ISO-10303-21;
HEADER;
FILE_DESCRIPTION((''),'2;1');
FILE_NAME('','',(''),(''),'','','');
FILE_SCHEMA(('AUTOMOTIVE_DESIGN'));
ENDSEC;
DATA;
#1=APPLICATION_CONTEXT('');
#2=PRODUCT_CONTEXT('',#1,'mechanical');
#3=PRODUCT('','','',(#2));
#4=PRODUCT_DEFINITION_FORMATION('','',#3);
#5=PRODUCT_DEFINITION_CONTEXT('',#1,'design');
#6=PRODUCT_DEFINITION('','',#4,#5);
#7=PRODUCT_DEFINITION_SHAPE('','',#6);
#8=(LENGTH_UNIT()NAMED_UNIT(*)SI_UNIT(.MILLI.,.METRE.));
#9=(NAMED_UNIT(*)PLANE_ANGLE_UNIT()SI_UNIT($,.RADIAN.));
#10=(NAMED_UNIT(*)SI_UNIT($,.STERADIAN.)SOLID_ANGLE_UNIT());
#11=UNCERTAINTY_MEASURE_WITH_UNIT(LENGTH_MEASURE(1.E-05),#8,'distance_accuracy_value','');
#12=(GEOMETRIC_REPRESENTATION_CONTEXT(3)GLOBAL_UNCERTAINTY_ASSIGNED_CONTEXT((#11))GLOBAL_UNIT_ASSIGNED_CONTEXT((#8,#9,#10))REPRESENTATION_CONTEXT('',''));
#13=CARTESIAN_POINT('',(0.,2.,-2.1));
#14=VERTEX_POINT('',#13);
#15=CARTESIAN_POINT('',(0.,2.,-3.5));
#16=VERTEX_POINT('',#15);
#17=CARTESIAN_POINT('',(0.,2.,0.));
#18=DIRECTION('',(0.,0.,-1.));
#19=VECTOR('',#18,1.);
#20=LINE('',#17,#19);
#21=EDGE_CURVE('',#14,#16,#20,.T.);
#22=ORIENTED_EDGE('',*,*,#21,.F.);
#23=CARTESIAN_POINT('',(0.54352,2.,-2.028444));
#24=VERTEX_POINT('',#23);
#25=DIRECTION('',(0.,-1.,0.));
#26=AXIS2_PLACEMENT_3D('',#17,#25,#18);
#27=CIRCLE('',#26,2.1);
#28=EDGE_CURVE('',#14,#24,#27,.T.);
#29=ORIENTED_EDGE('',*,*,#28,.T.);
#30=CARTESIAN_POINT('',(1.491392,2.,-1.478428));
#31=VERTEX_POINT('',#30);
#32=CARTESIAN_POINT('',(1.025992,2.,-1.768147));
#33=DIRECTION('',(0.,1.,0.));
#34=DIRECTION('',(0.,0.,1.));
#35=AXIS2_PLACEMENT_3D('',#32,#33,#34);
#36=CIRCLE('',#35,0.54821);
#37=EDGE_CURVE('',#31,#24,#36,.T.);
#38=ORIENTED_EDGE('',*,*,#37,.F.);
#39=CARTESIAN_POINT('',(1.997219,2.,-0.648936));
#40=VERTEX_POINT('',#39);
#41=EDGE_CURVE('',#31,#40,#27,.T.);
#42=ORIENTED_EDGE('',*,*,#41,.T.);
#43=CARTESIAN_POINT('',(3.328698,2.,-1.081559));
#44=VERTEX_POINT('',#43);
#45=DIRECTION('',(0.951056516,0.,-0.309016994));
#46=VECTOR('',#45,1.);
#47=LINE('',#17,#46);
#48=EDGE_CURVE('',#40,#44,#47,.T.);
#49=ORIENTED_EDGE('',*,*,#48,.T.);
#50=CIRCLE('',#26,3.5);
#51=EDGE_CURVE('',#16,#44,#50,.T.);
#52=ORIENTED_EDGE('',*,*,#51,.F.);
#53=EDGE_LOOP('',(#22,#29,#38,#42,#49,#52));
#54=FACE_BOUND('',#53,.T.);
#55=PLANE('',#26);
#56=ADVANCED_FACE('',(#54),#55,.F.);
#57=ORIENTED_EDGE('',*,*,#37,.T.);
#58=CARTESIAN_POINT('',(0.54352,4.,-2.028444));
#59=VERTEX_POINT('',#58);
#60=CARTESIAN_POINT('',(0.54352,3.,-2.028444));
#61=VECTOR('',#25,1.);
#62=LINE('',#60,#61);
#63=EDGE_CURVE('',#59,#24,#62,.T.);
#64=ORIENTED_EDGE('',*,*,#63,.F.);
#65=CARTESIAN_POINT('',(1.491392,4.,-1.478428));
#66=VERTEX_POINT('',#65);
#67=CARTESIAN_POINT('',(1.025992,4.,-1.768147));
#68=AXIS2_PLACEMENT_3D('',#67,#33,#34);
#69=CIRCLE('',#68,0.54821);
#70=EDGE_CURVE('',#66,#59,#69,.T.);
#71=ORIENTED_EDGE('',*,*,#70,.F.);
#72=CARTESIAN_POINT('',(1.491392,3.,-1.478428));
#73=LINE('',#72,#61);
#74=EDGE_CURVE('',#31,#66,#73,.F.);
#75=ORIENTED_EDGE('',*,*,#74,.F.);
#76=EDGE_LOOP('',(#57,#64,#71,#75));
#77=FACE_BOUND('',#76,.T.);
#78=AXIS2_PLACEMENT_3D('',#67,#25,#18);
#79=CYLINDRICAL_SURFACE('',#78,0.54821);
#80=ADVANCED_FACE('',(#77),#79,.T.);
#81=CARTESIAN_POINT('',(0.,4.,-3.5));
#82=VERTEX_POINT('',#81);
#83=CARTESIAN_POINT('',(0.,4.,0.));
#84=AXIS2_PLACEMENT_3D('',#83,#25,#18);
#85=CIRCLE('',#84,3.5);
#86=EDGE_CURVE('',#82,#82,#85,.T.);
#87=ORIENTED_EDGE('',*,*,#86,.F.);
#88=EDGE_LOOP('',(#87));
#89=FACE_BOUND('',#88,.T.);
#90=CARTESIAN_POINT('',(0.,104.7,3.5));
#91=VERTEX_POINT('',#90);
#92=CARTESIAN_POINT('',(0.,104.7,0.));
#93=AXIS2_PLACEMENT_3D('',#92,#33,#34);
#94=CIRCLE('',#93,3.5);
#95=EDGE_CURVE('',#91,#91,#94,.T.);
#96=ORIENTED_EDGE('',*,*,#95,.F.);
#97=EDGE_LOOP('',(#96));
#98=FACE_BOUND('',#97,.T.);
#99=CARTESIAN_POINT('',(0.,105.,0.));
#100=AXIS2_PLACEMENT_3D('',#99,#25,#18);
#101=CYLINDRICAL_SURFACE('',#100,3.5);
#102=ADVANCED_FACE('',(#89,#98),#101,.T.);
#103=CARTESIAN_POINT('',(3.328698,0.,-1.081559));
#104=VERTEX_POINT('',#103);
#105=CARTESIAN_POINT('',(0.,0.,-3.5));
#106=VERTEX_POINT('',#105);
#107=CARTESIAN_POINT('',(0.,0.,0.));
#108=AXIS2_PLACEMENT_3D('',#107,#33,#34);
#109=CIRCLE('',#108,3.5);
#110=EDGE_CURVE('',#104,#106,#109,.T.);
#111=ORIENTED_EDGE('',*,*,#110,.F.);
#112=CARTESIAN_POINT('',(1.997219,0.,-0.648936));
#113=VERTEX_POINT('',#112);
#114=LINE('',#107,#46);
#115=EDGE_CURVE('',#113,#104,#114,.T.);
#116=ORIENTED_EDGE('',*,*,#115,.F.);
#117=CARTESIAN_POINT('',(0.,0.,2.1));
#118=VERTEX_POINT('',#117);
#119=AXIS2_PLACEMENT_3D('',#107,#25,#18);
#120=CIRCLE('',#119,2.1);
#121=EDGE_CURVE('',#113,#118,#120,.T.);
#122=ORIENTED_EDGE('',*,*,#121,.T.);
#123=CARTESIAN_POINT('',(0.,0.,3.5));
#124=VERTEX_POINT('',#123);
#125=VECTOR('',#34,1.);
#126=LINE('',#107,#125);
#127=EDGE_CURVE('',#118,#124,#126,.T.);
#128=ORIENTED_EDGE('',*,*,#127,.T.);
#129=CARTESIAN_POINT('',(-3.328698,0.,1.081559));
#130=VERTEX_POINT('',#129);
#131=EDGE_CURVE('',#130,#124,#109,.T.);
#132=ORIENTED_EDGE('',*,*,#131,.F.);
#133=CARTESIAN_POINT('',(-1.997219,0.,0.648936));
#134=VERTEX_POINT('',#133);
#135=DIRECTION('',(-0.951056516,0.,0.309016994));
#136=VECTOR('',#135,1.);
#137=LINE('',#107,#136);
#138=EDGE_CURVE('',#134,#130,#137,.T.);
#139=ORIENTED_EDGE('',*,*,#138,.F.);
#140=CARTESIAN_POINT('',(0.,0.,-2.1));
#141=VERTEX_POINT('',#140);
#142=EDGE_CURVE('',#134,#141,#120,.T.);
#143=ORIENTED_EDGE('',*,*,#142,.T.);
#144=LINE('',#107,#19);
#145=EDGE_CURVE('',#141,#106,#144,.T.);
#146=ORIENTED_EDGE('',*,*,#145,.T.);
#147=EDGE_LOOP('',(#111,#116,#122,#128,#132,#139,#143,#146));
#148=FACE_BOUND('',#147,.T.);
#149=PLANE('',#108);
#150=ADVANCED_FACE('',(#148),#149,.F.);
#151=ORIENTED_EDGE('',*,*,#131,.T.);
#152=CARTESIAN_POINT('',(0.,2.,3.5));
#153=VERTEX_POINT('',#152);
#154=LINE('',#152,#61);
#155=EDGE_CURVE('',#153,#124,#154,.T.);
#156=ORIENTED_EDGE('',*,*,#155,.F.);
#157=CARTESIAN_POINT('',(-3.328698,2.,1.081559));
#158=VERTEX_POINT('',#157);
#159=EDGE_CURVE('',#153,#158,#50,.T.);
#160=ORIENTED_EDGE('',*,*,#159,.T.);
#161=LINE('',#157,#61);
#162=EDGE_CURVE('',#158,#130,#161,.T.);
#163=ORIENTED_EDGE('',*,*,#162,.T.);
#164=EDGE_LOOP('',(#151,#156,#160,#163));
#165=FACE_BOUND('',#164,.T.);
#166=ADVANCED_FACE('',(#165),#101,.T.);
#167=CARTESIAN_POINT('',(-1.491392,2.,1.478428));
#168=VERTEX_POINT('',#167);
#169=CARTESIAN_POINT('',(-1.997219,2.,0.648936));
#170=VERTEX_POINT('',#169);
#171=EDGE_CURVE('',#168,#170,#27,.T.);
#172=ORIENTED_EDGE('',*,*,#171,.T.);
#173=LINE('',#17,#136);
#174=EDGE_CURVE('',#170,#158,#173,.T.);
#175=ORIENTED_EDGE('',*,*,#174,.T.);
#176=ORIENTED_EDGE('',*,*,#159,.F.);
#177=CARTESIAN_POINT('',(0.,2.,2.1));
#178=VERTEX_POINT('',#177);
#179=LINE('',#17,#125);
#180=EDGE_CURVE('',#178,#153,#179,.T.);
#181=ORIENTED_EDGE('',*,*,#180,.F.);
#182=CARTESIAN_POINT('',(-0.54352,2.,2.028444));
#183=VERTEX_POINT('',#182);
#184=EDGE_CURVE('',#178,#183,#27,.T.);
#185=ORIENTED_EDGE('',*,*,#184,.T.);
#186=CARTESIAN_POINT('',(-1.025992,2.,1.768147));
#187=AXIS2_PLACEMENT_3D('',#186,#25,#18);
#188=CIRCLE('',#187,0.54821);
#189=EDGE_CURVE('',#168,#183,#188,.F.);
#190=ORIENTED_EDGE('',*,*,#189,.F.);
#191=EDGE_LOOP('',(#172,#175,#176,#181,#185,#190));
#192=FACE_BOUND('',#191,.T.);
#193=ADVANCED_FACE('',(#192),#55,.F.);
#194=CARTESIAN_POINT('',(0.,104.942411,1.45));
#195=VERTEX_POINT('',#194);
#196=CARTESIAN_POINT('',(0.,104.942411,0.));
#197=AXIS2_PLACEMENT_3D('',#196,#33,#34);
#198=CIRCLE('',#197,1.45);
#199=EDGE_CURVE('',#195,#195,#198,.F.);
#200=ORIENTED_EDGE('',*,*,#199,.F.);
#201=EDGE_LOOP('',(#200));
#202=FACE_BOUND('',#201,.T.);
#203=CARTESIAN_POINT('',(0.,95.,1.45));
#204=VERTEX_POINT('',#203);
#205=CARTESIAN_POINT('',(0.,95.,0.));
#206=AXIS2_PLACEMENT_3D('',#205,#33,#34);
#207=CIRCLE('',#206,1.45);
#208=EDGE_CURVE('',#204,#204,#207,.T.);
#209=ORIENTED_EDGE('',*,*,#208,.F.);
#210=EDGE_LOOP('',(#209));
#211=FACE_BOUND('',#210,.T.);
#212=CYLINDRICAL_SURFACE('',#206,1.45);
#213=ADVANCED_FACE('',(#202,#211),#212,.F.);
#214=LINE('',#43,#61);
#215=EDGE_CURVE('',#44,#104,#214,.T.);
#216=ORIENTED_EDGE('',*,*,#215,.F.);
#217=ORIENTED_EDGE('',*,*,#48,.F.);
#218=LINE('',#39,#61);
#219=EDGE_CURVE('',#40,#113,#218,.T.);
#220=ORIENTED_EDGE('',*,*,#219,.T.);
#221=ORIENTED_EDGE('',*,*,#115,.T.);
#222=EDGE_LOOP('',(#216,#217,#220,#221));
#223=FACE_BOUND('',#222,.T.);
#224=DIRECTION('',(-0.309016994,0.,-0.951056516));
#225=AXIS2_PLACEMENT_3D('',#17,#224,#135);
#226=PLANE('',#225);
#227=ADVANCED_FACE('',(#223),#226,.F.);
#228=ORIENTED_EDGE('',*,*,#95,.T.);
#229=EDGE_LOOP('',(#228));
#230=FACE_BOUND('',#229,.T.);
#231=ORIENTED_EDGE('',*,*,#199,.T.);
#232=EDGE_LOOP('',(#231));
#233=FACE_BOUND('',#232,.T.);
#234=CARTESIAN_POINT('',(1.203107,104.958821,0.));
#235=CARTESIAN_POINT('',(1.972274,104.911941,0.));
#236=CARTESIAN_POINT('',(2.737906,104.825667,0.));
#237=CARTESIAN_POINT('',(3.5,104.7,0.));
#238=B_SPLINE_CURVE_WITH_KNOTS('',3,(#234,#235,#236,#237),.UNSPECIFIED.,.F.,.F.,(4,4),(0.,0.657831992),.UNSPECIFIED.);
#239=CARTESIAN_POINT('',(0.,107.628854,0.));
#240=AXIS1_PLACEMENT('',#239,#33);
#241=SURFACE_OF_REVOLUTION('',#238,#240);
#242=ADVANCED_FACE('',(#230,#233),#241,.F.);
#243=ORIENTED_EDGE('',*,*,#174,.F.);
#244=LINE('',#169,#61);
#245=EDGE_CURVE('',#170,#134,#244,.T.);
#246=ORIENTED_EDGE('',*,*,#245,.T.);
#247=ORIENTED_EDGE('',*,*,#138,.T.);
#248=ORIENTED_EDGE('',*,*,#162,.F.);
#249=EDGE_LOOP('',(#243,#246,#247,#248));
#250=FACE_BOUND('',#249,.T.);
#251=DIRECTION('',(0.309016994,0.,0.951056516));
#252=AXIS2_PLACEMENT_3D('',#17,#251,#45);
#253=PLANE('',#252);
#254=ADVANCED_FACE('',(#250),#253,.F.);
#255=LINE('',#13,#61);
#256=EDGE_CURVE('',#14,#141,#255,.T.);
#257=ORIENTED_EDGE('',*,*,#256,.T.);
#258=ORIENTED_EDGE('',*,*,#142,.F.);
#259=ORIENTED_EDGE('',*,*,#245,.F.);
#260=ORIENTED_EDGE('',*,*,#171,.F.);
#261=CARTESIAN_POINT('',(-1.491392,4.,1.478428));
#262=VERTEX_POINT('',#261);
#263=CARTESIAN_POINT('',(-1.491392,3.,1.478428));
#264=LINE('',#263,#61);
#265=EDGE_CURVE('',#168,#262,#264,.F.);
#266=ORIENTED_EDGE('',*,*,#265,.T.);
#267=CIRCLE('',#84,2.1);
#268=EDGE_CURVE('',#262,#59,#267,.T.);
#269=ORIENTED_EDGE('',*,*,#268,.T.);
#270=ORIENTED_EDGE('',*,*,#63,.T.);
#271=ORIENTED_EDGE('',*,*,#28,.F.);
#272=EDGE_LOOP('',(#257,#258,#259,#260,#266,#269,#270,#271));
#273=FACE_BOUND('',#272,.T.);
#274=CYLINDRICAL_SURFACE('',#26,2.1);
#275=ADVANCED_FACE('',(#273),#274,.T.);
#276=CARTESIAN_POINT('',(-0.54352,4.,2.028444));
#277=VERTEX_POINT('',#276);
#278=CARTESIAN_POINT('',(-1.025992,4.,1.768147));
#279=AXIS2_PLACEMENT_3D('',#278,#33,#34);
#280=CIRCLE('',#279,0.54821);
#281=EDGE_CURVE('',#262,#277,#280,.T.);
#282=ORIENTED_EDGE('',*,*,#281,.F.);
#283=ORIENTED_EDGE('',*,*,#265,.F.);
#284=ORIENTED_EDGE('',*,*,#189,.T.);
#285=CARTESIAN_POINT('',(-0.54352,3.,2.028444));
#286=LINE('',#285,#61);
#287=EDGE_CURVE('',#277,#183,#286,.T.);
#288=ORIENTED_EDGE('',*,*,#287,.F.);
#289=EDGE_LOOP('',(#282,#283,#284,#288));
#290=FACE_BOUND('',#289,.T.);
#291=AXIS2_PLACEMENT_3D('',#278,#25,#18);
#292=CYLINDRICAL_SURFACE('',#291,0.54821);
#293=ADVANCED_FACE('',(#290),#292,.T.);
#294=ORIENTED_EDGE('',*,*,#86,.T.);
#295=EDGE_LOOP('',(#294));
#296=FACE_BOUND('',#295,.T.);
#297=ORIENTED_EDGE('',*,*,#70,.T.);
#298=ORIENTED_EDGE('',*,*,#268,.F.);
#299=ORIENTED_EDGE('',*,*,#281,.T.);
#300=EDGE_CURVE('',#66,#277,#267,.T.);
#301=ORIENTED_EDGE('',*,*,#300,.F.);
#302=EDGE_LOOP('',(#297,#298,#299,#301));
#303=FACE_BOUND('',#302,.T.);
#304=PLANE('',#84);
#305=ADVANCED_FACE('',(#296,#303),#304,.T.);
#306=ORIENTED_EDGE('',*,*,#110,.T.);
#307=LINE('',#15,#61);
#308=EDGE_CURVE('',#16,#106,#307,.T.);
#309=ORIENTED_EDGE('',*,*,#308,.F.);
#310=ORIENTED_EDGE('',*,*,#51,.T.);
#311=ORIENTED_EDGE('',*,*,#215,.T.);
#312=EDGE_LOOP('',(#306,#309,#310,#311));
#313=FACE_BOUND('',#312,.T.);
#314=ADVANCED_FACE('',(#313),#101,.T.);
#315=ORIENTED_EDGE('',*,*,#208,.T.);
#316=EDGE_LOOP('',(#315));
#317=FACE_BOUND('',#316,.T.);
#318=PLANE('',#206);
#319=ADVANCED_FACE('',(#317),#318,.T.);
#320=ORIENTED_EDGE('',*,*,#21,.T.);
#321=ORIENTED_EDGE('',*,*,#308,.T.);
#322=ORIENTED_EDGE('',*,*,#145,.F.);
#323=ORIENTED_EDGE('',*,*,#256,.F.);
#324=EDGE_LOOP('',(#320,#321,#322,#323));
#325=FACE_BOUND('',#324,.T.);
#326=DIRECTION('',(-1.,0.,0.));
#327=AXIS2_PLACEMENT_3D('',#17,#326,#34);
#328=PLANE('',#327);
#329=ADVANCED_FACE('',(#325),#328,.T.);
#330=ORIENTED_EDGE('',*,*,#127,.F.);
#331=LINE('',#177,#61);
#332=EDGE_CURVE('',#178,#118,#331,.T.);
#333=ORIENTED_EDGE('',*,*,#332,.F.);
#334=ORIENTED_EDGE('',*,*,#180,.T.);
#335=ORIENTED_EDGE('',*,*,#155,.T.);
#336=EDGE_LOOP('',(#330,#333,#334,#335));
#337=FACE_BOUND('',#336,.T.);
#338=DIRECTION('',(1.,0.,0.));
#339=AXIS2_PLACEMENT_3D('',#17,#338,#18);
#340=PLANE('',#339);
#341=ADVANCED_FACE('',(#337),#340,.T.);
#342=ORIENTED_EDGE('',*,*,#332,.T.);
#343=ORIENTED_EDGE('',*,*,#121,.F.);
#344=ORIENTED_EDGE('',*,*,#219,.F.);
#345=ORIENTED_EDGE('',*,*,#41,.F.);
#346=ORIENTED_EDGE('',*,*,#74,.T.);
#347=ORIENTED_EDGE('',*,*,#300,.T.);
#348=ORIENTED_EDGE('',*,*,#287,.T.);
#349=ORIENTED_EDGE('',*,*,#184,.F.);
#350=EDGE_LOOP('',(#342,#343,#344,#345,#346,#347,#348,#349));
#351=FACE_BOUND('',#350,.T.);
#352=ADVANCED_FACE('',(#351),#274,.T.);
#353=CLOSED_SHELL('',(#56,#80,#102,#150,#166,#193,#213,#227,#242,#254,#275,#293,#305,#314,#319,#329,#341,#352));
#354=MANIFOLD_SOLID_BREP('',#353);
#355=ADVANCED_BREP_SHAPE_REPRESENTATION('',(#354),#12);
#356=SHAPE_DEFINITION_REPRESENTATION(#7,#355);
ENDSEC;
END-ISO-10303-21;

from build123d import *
from build123d.topology import SkipClean

# Parameters (mm, degrees)
SKETCH_1_R          = 3.5
EXTRUDE_1_DEPTH     = 105
CUT_EXTRUDE_1_DEPTH = 2
SKETCH_3_R          = 3.5
SKETCH_3_R_2        = 2.1
CUT_EXTRUDE_3_DEPTH = 2
SKETCH_4_R          = 0.548210007
EXTRUDE_2_DEPTH     = 2
SKETCH_5_R          = 1.45
CUT_EXTRUDE_5_DEPTH = 10


with BuildPart() as part:
    # 草图1 → 凸台-拉伸1 (new body)
    with BuildSketch(Plane(origin=(0, 0, 0), x_dir=(1, 0, 0), z_dir=(0, 1, 0))):
        with Locations(Location((0, 0, 0), (0, 0, 270))):
            Circle(SKETCH_1_R)
    extrude(amount=EXTRUDE_1_DEPTH)

    # 草图2 → 切除-拉伸1 (cut)
    with BuildSketch(Plane.XZ):
        with BuildLine():
            Line((0, 3.5), (0, 2.1))
            ThreePointArc((0, 2.1), (1.698935688, 1.23434903), (1.997218684, -0.648935688))
            Line((1.997218684, -0.648935688), (3.328697807, -1.08155948))
            ThreePointArc((3.328697807, -1.08155948), (3.456909192, -0.547520628), (3.5, 0))
            ThreePointArc((3.5, 0), (2.474873734, 2.474873734), (0, 3.5))
        make_face()
        with BuildLine():
            ThreePointArc((0, -2.1), (-1.698935688, -1.23434903), (-1.997218684, 0.648935688))
            Line((-1.997218684, 0.648935688), (-3.328697807, 1.08155948))
            ThreePointArc((-3.328697807, 1.08155948), (-2.83155948, -2.057248383), (0, -3.5))
            Line((0, -3.5), (0, -2.1))
        make_face()
    extrude(amount=-CUT_EXTRUDE_1_DEPTH, mode=Mode.SUBTRACT)

    # 草图3 → 切除-拉伸3 (cut)
    with SkipClean():  # the faces are left unmerged after this step: merging them gives an invalid solid
        with BuildSketch(Plane.XZ.offset(-2)):
            with Locations(Location((0, 0, 0), (0, 0, 270))):
                Circle(SKETCH_3_R)
            with Locations(Location((0, 0, 0), (0, 0, 270))):
                Circle(SKETCH_3_R_2, mode=Mode.SUBTRACT)
        extrude(amount=-CUT_EXTRUDE_3_DEPTH, mode=Mode.SUBTRACT)

    # 草图4 → 凸台-拉伸2 (add)
    with BuildSketch(Plane(origin=(0, 2, 0), x_dir=(1, 0, 0), z_dir=(0, 1, 0))):
        with BuildLine():
            ThreePointArc((-1.491392248, -1.478427936), (-1.053967002, -1.816357222), (-0.543519995, -2.028444235))
            ThreePointArc((-0.543519995, -2.028444235), (-0.494470754, -1.90238195), (-0.477782325, -1.768146991))
            ThreePointArc((-0.477782325, -1.768146991), (-0.875331586, -1.241045908), (-1.491392248, -1.478427936))
        make_face()
        with BuildLine():
            ThreePointArc((-1.491392248, -1.478427936), (-1.301132932, -2.242311375), (-0.543519995, -2.028444235))
            ThreePointArc((-0.543519995, -2.028444235), (-1.053967002, -1.816357222), (-1.491392248, -1.478427936))
        make_face()
        with Locations((1.025992333, 1.768146991)):
            Circle(SKETCH_4_R)
    extrude(amount=EXTRUDE_2_DEPTH)

    # 草图5 → 切除-拉伸5 (cut)
    with BuildSketch(Plane(origin=(0, 105, 0), x_dir=(1, 0, 0), z_dir=(0, 1, 0))):
        with Locations(Location((0, 0, 0), (0, 0, 270))):
            Circle(SKETCH_5_R)
    extrude(amount=-CUT_EXTRUDE_5_DEPTH, mode=Mode.SUBTRACT)

    # 草图6 → 切除-旋转2 (revolve, cut)
    with BuildSketch(Plane.XY, mode=Mode.PRIVATE) as cut_revolve_2_sk:
        with BuildLine():
            Line((1.203106705, 105), (1.203106705, 104.958820899))
            add(Edge.make_bspline(
                [(3.5, 104.7), (2.737905529, 104.82566733), (1.972274431, 104.911940963), (1.203106705, 104.958820899)],
                knots=[0, 0, 0, 0, 0.657831992, 0.657831992, 0.657831992, 0.657831992], degree=3))
            Line((3.5, 104.7), (3.5, 105))
            Line((3.5, 105), (1.203106705, 105))
        make_face()
    revolve(cut_revolve_2_sk.sketch.rotate(Axis((0, 107.628853611, 0), (0, -1, 0)), 270), axis=Axis((0, 107.628853611, 0), (0, -1, 0)), mode=Mode.SUBTRACT)


solid = part.part
